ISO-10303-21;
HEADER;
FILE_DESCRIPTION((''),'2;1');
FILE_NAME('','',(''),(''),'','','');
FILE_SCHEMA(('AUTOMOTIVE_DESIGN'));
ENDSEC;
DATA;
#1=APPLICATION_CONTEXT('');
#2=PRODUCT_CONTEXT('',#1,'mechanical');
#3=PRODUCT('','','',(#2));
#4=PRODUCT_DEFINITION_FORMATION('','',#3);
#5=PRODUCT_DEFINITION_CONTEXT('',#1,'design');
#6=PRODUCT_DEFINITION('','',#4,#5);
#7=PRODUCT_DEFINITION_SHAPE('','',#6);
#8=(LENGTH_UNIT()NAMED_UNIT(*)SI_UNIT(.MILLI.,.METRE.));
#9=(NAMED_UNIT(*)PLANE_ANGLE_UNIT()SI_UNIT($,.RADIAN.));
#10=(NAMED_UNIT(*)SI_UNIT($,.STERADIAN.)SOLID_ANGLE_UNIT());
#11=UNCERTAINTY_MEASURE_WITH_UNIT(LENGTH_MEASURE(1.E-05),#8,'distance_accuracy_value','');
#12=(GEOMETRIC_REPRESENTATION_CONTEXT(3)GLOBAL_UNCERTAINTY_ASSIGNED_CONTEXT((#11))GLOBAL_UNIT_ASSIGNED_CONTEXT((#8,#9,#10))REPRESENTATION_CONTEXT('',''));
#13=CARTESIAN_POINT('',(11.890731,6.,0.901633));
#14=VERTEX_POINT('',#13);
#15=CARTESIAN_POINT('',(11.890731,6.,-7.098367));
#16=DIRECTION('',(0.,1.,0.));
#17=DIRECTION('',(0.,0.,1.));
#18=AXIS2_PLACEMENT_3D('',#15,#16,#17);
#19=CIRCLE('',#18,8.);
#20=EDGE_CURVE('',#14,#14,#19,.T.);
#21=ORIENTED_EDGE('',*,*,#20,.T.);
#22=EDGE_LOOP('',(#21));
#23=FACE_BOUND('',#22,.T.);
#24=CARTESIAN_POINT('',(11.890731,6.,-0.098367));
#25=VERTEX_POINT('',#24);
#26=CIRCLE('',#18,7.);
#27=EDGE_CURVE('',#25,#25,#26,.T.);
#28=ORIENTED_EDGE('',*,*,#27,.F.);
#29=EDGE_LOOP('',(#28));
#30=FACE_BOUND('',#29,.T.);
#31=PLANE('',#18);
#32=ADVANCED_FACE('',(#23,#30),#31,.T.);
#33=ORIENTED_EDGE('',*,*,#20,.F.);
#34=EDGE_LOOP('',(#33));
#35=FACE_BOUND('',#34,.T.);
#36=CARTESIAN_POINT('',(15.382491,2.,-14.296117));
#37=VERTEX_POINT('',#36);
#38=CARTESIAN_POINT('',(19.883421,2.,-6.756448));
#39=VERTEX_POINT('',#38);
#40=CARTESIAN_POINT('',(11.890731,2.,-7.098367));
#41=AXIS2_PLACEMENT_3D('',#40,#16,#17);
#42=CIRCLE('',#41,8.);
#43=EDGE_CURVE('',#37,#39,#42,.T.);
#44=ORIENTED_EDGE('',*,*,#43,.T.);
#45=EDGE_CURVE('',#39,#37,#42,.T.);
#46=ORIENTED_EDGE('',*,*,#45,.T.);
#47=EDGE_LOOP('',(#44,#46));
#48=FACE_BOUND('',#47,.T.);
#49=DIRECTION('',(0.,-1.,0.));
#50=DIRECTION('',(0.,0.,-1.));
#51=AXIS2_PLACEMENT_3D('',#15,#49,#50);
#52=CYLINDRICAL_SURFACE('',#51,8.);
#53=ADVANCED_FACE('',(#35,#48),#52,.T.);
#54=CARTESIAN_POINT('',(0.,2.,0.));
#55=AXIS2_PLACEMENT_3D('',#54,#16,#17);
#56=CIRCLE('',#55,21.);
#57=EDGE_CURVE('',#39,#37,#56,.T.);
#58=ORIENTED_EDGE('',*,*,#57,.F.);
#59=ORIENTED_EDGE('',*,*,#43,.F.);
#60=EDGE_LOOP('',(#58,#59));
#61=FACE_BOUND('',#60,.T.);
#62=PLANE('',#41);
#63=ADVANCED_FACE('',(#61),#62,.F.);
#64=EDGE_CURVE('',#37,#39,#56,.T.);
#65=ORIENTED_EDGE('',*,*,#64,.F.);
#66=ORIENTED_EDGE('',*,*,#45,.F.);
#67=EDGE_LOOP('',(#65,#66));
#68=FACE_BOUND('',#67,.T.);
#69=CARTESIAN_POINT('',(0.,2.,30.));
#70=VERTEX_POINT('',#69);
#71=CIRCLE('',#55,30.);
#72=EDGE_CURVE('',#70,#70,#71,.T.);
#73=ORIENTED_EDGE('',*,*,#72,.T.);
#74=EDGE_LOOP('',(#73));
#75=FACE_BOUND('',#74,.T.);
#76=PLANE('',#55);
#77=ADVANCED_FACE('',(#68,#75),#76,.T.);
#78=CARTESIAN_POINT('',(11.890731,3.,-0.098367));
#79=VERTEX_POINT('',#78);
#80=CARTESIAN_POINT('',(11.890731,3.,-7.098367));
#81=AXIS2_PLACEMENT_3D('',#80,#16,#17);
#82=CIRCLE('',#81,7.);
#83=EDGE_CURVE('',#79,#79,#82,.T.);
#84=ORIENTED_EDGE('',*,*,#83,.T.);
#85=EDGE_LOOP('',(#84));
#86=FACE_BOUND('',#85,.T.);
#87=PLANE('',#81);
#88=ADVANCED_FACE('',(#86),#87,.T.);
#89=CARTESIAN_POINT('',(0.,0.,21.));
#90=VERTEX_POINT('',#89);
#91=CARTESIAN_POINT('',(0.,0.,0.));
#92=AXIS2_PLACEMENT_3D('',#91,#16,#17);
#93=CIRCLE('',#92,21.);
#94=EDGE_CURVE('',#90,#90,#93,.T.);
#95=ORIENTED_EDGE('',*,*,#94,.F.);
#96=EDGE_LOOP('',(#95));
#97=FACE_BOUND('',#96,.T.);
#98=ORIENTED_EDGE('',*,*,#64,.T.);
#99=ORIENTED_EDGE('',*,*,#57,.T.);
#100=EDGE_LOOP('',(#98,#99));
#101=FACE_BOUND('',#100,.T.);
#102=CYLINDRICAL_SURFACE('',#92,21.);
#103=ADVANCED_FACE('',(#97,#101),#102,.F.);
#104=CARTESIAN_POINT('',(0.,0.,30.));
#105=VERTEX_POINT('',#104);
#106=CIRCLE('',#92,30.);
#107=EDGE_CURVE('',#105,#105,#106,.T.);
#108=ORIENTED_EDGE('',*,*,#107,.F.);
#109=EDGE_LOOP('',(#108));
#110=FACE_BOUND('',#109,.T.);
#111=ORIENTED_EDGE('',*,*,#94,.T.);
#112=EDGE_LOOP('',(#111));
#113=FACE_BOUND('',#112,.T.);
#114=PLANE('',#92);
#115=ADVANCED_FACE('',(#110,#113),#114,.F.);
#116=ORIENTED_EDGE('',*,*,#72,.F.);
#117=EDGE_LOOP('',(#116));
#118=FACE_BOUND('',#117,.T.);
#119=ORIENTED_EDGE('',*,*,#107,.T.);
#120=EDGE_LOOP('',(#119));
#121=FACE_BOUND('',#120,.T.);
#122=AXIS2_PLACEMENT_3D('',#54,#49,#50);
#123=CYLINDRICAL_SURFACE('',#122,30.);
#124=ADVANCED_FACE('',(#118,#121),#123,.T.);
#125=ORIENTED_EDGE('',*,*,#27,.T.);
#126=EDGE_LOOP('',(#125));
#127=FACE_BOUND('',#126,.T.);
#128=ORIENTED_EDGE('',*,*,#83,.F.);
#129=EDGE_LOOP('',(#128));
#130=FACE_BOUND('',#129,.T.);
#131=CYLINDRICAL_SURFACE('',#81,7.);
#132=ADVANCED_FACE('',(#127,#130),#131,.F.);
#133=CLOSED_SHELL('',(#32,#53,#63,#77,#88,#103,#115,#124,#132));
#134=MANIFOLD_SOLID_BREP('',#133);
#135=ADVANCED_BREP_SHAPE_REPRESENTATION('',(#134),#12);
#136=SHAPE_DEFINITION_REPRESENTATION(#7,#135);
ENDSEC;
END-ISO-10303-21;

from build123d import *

# Parameters (mm, degrees)
SKETCH1_R           = 30
BOSS_EXTRUDE1_DEPTH = 2
SKETCH2_R           = 21
CUT_EXTRUDE1_DEPTH  = 2
SKETCH3_R           = 8
BOSS_EXTRUDE2_DEPTH = 4
SKETCH4_R           = 7
CUT_EXTRUDE2_DEPTH  = 3


with BuildPart() as part:
    # Sketch1 → Boss-Extrude1 (new body)
    with BuildSketch(Plane(origin=(0, 0, 0), x_dir=(1, 0, 0), z_dir=(0, 1, 0))):
        Circle(SKETCH1_R)
    extrude(amount=BOSS_EXTRUDE1_DEPTH)

    # Sketch2 → Cut-Extrude1 (cut)
    with BuildSketch(Plane(origin=(0, 2, 0), x_dir=(1, 0, 0), z_dir=(0, 1, 0))):
        Circle(SKETCH2_R)
    extrude(amount=-CUT_EXTRUDE1_DEPTH, mode=Mode.SUBTRACT)

    # Sketch3 → Boss-Extrude2 (add)
    with BuildSketch(Plane(origin=(0, 2, 0), x_dir=(1, 0, 0), z_dir=(0, 1, 0))):
        with Locations((11.890730665, 7.098367026)):
            Circle(SKETCH3_R)
    extrude(amount=BOSS_EXTRUDE2_DEPTH)

    # Sketch4 → Cut-Extrude2 (cut)
    with BuildSketch(Plane(origin=(0, 6, 0), x_dir=(1, 0, 0), z_dir=(0, 1, 0))):
        with Locations((11.890730665, 7.098367026)):
            Circle(SKETCH4_R)
    extrude(amount=-CUT_EXTRUDE2_DEPTH, mode=Mode.SUBTRACT)


solid = part.part
